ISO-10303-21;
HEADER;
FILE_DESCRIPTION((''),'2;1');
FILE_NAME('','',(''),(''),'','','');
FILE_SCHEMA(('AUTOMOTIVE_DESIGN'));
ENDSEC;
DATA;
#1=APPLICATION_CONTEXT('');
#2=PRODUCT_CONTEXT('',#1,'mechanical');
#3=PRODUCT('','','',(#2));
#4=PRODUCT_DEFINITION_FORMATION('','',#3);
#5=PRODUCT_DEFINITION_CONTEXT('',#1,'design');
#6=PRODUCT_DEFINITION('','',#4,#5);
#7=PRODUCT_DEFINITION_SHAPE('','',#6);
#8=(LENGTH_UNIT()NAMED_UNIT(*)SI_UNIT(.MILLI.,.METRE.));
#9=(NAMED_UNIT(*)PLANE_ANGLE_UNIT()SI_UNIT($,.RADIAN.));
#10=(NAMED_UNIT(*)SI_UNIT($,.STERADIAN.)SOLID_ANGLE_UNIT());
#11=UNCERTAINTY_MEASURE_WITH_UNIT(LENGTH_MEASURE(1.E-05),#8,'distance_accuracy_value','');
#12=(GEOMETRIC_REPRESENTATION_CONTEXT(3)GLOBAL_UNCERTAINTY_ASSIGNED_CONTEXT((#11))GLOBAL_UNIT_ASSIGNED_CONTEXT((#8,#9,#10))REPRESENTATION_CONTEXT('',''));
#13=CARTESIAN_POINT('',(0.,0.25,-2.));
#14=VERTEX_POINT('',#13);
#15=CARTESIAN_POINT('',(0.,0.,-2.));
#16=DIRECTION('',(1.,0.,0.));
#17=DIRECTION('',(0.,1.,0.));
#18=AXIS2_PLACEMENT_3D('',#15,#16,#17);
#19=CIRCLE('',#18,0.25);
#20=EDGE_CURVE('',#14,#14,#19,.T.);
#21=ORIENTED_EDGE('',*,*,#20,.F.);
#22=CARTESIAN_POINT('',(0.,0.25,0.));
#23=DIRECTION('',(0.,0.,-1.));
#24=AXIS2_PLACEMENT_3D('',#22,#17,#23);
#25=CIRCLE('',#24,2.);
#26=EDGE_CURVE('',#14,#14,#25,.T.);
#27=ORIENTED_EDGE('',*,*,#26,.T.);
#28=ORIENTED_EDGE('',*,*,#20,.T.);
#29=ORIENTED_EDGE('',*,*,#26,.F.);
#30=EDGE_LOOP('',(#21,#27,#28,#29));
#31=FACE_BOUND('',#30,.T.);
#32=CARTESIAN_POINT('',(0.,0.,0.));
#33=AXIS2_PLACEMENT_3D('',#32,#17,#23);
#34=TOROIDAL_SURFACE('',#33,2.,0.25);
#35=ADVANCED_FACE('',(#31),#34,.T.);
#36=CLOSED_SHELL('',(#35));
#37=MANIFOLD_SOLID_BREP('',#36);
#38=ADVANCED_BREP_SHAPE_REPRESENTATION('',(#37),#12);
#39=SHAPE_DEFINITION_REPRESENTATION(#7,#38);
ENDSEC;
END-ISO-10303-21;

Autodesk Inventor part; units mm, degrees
ref_plane "YZ Plane" through (0, 0, 0) normal (1, 0, 0) x (0, 1, 0)
ref_plane "XZ Plane" through (0, 0, 0) normal (0, 1, 0) x (-1, 0, 0)
ref_plane "XY Plane" through (0, 0, 0) normal (0, 0, 1) x (1, 0, 0)
sketch "Sketch3" plane through (0, 0, 0) normal (1, 0, 0) x (0, 1, 0)
  circle A0 centre (0, -2) radius 0.25
  line L0 (0, -2) -> (0, 0) construction
  line L1 (0, 0) -> (6.6454, 0) construction
  dimension "d3" = 0.5
  dimension "d4" = 2
revolve "Revolution1" add sketch "Sketch3" angle 360 about axis through (0, 0, 0) along (0, 1, 0)
properties part number "dummy_ling_string"
